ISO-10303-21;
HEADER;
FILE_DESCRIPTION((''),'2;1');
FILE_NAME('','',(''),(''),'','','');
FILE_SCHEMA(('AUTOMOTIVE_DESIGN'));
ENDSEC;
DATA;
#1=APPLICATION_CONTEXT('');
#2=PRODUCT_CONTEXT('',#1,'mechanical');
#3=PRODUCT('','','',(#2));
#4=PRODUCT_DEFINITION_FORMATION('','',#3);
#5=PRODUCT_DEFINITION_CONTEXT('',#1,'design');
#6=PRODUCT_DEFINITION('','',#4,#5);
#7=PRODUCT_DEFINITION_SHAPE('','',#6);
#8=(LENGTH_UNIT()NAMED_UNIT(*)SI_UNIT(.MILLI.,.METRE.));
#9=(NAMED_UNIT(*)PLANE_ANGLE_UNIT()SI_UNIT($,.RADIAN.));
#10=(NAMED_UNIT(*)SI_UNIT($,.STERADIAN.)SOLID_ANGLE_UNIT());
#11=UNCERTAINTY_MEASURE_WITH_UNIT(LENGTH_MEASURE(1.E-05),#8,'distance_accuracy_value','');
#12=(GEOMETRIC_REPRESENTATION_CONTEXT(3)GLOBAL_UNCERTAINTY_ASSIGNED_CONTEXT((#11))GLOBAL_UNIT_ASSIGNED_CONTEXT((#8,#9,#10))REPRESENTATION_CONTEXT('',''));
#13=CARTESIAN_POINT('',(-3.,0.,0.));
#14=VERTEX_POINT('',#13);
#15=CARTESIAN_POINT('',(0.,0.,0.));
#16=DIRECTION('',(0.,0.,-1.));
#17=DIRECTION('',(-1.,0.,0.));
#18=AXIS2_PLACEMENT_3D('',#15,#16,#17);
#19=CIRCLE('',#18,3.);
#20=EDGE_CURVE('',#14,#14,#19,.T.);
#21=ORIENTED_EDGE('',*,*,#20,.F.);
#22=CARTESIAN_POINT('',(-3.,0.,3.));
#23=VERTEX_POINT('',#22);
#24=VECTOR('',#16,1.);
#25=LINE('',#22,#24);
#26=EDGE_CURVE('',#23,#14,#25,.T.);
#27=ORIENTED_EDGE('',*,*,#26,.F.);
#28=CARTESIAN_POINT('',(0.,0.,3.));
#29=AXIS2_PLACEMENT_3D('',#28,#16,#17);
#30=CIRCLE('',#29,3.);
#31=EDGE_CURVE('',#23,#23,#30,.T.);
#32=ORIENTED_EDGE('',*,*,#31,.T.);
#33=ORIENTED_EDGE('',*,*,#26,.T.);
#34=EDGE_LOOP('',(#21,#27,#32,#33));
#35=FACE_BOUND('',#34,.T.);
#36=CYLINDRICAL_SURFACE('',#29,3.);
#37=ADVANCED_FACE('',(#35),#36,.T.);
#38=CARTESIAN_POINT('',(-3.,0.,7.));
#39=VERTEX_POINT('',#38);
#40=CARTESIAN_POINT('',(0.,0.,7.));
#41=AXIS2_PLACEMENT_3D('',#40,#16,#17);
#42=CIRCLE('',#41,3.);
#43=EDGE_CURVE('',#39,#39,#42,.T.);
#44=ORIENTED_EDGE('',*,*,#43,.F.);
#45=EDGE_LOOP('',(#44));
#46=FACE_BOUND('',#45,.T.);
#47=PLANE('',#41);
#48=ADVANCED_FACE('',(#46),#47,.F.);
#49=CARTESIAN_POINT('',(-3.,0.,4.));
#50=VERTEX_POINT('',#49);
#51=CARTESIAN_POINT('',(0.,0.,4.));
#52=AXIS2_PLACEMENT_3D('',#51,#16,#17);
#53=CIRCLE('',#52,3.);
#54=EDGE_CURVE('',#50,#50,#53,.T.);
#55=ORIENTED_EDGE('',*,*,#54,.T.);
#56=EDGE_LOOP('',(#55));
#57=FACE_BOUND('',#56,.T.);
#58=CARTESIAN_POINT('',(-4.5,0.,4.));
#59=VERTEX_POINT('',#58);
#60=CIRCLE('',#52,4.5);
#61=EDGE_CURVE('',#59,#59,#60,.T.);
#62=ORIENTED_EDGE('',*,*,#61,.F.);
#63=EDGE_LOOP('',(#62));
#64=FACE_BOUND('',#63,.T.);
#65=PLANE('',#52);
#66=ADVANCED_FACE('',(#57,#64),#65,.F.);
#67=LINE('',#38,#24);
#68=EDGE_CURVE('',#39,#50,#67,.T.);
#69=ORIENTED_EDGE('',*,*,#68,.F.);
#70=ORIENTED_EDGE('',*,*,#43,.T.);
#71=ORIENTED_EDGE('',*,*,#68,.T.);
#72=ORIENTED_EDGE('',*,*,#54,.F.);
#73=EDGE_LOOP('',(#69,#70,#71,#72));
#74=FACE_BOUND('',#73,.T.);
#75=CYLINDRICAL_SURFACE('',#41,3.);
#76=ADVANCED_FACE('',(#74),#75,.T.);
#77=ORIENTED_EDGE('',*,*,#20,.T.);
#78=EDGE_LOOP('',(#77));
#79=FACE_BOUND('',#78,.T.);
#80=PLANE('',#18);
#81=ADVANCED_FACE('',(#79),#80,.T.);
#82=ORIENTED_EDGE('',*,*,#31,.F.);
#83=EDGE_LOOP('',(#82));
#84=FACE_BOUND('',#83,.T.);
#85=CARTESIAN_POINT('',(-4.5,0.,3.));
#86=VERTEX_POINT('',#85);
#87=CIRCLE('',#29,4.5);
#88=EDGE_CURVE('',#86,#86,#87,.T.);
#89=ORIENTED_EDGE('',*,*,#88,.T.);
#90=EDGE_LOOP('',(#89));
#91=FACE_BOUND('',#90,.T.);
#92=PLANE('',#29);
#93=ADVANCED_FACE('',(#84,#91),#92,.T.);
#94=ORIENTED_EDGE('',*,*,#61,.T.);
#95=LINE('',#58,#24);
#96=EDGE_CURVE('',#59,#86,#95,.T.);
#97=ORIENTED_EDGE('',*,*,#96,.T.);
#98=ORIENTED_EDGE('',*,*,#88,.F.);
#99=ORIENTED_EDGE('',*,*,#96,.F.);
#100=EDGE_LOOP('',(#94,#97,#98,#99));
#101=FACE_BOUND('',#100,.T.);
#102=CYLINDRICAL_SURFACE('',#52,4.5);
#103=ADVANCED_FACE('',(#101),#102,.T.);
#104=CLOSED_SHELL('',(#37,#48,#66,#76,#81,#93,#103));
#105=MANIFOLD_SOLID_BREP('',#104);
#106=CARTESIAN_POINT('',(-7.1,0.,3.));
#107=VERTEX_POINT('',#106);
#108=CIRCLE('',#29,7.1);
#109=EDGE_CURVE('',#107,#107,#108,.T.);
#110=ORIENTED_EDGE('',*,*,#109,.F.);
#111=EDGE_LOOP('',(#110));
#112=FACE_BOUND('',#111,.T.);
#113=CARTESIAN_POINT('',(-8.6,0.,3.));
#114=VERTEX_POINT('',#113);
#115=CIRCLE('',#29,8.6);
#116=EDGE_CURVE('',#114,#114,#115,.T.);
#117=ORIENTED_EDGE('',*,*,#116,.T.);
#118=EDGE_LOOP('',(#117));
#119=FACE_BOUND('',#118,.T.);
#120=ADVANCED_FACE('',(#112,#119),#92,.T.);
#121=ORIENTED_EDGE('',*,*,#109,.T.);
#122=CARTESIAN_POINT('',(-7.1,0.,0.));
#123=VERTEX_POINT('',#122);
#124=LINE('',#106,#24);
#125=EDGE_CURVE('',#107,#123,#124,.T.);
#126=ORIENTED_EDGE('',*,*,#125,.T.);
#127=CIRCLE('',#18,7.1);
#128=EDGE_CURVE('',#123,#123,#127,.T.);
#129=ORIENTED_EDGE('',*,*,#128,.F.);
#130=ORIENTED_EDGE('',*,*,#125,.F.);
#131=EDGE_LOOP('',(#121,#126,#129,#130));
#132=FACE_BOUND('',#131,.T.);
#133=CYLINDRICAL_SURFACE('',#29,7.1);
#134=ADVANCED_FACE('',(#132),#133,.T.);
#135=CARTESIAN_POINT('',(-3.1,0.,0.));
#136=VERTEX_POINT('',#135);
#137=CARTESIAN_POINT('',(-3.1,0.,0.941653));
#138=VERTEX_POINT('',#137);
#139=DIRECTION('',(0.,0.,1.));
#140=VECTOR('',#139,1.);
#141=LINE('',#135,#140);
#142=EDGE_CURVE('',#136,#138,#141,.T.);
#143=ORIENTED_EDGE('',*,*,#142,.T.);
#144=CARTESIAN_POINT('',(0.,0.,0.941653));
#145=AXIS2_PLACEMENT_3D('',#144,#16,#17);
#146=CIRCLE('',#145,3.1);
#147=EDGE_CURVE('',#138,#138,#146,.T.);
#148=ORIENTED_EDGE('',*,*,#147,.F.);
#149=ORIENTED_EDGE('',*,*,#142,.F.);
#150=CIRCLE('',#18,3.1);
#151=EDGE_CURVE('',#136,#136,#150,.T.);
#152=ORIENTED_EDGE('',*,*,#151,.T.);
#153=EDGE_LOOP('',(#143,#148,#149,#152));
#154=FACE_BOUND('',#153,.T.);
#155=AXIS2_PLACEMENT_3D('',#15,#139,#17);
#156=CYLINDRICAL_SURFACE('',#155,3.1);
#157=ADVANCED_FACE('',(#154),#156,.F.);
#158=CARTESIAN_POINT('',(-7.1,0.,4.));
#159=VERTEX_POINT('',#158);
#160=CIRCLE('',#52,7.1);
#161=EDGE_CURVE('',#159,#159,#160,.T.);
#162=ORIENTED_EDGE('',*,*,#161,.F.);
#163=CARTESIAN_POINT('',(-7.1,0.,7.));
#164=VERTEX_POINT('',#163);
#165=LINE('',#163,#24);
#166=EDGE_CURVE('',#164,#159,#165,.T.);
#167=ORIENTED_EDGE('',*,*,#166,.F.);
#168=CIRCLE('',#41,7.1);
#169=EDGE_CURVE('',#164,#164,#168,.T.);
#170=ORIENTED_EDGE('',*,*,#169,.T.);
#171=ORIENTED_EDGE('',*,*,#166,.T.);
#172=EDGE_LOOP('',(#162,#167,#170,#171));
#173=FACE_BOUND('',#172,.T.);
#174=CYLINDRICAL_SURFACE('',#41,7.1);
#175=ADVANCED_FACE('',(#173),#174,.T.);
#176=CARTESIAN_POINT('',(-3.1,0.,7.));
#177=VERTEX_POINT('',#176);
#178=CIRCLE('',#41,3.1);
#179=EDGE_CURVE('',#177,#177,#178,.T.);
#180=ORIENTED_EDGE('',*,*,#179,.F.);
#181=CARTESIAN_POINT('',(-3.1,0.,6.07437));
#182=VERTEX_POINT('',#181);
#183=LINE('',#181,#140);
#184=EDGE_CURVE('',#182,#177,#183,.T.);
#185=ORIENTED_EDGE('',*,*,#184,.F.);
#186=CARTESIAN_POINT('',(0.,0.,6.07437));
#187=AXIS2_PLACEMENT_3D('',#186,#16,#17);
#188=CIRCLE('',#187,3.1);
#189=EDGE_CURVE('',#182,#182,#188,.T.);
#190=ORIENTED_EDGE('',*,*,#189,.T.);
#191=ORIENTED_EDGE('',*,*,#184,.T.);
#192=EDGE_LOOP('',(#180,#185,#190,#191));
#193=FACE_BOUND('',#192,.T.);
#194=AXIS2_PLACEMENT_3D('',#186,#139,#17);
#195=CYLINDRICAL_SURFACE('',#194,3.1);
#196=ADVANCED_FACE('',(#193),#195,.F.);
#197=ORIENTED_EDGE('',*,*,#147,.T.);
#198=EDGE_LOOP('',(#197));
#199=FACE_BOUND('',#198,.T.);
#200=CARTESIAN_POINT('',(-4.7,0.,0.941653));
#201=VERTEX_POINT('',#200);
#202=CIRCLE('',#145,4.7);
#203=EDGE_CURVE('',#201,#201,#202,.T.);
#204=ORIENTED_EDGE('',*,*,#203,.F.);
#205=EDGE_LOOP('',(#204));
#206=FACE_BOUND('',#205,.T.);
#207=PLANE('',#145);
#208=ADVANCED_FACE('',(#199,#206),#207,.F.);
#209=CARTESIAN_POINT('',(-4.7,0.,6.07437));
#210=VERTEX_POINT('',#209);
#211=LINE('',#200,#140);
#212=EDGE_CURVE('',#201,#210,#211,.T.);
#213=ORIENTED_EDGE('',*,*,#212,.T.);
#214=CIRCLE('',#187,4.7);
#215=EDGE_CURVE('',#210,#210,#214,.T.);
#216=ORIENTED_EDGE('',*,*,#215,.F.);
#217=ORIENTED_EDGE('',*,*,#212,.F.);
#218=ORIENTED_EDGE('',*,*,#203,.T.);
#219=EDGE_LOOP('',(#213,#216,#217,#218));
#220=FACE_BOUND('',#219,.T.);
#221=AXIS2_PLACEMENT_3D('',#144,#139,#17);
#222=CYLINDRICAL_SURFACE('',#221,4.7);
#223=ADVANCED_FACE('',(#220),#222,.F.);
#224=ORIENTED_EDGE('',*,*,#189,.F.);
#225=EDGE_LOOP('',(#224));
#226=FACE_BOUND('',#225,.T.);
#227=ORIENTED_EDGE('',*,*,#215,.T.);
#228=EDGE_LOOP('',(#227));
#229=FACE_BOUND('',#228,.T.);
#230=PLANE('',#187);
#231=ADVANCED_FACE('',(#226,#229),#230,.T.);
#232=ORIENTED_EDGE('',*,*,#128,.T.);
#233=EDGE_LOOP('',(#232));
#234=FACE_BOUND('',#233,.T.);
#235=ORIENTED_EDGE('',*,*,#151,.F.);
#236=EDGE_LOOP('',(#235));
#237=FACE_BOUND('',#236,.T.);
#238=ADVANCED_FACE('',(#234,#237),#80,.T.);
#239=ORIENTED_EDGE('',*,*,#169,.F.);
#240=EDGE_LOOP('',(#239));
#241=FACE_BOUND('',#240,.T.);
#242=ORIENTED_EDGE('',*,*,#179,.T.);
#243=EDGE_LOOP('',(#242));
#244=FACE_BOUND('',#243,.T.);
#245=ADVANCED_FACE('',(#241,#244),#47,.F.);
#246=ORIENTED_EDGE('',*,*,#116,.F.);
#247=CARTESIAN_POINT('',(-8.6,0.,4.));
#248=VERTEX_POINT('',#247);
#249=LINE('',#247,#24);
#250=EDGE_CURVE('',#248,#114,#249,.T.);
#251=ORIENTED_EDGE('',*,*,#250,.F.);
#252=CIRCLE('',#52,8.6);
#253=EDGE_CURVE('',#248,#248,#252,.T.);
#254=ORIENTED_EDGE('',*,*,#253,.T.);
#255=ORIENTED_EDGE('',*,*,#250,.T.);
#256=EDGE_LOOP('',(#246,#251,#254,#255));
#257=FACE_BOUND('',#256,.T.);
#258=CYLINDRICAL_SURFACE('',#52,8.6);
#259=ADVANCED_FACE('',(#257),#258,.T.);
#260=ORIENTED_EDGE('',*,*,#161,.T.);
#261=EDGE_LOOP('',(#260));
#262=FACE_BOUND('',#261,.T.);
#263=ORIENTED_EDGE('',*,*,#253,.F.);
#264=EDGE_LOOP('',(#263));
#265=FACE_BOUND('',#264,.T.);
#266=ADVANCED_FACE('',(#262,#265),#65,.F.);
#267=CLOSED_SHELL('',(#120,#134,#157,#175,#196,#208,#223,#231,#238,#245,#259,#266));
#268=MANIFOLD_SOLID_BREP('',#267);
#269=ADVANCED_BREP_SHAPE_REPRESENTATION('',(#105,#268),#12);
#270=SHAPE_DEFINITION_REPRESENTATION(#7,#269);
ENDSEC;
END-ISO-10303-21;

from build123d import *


with BuildPart() as f1:
    # F0 (on Front) → F1 (revolve)
    with BuildSketch(Plane.XZ):
        Polygon((-7.1, 0), (-3.1, 0), (-3.1, 0.941653), (-4.7, 0.941653), (-4.7, 6.07437), (-3.1, 6.07437), (-3.1, 7), (-7.1, 7), (-7.1, 4), (-8.6, 4), (-8.6, 3), (-7.1, 3), align=None)
        Polygon((-3, 0), (0, 0), (0, 7), (-3, 7), (-3, 4), (-4.5, 4), (-4.5, 3), (-3, 3), align=None)
    revolve(axis=Axis((0, 0, 3.5), (0, 0, -1)))


solid = f1.part
